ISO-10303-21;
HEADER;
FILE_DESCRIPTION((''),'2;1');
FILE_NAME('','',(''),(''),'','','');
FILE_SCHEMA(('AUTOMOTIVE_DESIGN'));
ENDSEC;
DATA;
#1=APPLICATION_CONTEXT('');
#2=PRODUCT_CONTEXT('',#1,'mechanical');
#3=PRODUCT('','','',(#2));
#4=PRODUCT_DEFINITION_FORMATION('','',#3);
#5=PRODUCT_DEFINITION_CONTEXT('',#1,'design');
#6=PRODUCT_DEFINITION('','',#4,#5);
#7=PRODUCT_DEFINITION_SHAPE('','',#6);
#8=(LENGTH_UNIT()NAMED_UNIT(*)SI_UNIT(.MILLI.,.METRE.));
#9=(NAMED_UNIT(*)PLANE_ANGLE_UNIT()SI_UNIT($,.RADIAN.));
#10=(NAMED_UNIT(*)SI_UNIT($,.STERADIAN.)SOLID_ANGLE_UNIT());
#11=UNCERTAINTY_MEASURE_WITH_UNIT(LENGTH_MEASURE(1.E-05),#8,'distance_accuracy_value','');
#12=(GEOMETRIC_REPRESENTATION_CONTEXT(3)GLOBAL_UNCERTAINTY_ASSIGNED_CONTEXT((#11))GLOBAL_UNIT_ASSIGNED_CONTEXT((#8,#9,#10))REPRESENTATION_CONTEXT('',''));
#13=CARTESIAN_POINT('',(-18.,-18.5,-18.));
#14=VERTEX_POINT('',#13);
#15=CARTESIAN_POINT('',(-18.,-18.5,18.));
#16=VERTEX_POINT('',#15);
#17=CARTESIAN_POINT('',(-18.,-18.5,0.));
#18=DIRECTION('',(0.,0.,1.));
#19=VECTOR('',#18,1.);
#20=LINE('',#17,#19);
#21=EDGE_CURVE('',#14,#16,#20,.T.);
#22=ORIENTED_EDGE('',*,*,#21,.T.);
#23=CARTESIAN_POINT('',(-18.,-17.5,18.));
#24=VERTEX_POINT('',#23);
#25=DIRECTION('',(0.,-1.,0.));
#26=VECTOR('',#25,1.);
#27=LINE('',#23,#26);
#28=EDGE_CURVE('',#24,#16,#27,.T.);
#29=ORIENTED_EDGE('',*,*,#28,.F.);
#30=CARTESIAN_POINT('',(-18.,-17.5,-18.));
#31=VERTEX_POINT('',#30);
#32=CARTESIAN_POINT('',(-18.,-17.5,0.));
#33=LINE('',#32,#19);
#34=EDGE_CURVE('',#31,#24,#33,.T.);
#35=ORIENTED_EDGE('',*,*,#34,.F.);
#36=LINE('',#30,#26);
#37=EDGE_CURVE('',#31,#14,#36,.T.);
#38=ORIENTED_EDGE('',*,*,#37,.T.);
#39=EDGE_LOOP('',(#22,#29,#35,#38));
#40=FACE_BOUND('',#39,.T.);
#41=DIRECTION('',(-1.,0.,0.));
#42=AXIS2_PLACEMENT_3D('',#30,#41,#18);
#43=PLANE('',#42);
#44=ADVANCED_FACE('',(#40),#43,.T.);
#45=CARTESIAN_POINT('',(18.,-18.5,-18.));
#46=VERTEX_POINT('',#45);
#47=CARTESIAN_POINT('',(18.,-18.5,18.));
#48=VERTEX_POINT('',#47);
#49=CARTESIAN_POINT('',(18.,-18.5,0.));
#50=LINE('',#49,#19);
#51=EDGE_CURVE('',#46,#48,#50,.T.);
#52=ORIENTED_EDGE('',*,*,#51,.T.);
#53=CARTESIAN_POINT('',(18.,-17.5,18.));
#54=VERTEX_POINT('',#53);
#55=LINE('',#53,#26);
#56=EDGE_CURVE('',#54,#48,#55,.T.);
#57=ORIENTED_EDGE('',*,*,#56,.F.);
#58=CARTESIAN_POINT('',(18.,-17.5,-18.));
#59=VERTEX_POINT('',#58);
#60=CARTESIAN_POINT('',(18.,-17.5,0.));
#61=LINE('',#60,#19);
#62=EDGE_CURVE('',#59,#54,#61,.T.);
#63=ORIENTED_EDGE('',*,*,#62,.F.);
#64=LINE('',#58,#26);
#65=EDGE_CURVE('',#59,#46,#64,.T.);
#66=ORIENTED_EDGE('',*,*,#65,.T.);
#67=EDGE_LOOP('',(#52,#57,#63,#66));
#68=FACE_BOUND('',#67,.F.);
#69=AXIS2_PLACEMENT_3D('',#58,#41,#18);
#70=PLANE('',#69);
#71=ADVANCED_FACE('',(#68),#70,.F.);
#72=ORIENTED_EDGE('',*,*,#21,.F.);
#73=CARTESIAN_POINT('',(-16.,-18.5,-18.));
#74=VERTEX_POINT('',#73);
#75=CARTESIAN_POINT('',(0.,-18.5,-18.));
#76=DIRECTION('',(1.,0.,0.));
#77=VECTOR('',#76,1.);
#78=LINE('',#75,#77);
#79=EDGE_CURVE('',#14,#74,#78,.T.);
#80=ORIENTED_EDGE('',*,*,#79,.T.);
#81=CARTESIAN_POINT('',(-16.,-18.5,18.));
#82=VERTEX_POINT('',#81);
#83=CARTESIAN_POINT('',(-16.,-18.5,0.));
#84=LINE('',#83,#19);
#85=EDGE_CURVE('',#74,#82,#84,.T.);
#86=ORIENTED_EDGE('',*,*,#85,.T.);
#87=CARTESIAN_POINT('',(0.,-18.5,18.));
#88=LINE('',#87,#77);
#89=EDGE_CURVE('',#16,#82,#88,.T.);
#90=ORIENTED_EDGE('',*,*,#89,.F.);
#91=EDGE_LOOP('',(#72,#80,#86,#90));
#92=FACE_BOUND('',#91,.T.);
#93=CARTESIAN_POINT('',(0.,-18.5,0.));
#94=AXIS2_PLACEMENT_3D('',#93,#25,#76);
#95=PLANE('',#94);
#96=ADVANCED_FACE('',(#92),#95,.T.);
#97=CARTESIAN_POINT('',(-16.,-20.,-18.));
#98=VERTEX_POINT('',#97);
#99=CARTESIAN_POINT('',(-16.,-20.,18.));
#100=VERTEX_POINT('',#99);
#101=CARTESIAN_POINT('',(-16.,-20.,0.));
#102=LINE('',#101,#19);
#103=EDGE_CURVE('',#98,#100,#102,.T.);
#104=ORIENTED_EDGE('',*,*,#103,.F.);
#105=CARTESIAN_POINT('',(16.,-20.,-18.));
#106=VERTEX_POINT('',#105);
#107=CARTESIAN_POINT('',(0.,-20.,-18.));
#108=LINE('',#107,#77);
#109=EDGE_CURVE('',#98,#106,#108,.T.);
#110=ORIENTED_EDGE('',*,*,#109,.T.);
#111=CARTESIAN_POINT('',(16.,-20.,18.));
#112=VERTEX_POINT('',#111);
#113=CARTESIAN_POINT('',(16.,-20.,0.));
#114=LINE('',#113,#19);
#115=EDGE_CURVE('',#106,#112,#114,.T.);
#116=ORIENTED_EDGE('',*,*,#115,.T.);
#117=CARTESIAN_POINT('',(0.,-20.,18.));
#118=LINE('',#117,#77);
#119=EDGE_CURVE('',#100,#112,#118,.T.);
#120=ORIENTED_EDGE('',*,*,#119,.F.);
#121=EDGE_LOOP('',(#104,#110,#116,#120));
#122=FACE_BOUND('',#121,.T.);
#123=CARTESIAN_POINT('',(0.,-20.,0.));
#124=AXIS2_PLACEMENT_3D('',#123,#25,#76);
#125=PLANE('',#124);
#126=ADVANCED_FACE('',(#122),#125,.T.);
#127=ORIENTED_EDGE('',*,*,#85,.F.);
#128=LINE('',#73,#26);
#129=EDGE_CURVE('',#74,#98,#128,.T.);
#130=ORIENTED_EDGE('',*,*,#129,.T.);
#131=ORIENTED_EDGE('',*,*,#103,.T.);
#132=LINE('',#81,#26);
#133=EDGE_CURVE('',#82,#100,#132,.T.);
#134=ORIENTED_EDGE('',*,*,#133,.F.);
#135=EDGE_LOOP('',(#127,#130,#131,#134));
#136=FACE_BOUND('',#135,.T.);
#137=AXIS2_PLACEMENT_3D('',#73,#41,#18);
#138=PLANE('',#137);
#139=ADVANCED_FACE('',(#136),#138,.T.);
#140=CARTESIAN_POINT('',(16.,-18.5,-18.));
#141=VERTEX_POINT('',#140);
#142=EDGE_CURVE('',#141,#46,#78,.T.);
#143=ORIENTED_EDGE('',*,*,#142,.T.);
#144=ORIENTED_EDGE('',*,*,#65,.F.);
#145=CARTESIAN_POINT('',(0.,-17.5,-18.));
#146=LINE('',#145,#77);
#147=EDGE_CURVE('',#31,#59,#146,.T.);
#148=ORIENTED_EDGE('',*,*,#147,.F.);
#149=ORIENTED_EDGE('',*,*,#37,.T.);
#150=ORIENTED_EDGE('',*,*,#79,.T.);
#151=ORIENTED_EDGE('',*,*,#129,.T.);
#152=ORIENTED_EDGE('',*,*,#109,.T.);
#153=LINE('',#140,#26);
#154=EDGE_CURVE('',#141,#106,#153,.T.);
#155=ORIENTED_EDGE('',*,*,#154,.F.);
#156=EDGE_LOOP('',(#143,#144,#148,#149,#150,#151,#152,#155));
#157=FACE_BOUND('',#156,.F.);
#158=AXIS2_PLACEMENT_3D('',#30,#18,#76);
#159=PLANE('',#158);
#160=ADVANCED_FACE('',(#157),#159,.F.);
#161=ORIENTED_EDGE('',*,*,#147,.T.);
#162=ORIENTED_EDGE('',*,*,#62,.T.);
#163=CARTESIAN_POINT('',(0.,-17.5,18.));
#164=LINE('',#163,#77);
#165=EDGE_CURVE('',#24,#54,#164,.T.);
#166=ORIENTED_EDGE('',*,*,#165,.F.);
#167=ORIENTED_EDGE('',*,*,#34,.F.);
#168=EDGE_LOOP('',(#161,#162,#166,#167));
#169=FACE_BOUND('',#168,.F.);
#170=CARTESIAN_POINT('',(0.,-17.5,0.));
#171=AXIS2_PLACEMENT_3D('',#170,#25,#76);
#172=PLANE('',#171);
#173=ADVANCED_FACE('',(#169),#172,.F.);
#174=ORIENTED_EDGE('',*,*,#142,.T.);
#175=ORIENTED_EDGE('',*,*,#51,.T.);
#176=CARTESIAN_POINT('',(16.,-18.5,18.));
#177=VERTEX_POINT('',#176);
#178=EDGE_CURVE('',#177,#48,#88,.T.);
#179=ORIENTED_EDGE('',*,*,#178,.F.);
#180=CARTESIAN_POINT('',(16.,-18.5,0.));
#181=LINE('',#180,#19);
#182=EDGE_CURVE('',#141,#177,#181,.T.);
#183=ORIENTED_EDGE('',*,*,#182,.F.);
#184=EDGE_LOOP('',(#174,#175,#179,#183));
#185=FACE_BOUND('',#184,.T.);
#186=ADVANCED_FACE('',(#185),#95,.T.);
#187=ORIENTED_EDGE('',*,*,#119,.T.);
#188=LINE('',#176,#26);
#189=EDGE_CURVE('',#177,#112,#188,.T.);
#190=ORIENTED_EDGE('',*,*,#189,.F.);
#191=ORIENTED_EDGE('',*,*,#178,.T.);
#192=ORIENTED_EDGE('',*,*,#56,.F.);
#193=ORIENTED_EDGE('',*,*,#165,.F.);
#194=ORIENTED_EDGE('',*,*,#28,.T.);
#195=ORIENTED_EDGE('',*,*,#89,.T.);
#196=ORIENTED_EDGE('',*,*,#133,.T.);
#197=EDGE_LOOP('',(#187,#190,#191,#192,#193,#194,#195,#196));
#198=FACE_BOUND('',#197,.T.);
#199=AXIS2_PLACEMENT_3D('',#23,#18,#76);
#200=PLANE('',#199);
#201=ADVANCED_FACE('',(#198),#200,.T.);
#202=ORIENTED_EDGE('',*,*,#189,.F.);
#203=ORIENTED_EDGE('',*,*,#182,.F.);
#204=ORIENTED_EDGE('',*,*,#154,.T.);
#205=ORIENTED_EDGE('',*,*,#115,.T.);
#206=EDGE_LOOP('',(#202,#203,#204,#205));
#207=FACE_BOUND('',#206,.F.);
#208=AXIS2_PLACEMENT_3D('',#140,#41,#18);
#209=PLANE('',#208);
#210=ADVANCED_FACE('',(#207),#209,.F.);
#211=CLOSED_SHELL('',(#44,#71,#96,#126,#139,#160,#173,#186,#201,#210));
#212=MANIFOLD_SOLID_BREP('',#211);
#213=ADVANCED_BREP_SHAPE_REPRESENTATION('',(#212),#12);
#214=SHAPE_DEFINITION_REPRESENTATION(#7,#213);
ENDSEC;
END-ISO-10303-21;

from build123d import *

# Parameters (mm, degrees)
SKETCH017_W               = 32
SKETCH017_H               = 36
EXTRUDE015_DEPTH          = 1.5
SKETCH016_W               = 36
SKETCH016_H               = 36
EXTRUDE014_DEPTH          = 1
FUSION009_PLACEMENT_ANGLE = 90


with BuildPart() as extrude015:
    # Sketch017 (on Face6 of Extrude014) → Extrude015 (new body)
    with BuildSketch(Plane.XY.offset(1)):
        Rectangle(SKETCH017_W, SKETCH017_H)
    extrude(amount=EXTRUDE015_DEPTH)


with BuildPart() as fusion009:
    # Sketch016 → Extrude014 (new body)
    with BuildSketch(Plane.XY):
        Rectangle(SKETCH016_W, SKETCH016_H)
    extrude(amount=EXTRUDE014_DEPTH)

    # Fusion009: union Extrude015
    add(extrude015.part)


with BuildPart() as fusion009_1:
    # Fusion009 placement: moved
    add(fusion009.part.moved(Location((0, -17.5, 0))).rotate(Axis((0, -17.5, 0), (1, 0, 0)), FUSION009_PLACEMENT_ANGLE))


solid = fusion009_1.part
